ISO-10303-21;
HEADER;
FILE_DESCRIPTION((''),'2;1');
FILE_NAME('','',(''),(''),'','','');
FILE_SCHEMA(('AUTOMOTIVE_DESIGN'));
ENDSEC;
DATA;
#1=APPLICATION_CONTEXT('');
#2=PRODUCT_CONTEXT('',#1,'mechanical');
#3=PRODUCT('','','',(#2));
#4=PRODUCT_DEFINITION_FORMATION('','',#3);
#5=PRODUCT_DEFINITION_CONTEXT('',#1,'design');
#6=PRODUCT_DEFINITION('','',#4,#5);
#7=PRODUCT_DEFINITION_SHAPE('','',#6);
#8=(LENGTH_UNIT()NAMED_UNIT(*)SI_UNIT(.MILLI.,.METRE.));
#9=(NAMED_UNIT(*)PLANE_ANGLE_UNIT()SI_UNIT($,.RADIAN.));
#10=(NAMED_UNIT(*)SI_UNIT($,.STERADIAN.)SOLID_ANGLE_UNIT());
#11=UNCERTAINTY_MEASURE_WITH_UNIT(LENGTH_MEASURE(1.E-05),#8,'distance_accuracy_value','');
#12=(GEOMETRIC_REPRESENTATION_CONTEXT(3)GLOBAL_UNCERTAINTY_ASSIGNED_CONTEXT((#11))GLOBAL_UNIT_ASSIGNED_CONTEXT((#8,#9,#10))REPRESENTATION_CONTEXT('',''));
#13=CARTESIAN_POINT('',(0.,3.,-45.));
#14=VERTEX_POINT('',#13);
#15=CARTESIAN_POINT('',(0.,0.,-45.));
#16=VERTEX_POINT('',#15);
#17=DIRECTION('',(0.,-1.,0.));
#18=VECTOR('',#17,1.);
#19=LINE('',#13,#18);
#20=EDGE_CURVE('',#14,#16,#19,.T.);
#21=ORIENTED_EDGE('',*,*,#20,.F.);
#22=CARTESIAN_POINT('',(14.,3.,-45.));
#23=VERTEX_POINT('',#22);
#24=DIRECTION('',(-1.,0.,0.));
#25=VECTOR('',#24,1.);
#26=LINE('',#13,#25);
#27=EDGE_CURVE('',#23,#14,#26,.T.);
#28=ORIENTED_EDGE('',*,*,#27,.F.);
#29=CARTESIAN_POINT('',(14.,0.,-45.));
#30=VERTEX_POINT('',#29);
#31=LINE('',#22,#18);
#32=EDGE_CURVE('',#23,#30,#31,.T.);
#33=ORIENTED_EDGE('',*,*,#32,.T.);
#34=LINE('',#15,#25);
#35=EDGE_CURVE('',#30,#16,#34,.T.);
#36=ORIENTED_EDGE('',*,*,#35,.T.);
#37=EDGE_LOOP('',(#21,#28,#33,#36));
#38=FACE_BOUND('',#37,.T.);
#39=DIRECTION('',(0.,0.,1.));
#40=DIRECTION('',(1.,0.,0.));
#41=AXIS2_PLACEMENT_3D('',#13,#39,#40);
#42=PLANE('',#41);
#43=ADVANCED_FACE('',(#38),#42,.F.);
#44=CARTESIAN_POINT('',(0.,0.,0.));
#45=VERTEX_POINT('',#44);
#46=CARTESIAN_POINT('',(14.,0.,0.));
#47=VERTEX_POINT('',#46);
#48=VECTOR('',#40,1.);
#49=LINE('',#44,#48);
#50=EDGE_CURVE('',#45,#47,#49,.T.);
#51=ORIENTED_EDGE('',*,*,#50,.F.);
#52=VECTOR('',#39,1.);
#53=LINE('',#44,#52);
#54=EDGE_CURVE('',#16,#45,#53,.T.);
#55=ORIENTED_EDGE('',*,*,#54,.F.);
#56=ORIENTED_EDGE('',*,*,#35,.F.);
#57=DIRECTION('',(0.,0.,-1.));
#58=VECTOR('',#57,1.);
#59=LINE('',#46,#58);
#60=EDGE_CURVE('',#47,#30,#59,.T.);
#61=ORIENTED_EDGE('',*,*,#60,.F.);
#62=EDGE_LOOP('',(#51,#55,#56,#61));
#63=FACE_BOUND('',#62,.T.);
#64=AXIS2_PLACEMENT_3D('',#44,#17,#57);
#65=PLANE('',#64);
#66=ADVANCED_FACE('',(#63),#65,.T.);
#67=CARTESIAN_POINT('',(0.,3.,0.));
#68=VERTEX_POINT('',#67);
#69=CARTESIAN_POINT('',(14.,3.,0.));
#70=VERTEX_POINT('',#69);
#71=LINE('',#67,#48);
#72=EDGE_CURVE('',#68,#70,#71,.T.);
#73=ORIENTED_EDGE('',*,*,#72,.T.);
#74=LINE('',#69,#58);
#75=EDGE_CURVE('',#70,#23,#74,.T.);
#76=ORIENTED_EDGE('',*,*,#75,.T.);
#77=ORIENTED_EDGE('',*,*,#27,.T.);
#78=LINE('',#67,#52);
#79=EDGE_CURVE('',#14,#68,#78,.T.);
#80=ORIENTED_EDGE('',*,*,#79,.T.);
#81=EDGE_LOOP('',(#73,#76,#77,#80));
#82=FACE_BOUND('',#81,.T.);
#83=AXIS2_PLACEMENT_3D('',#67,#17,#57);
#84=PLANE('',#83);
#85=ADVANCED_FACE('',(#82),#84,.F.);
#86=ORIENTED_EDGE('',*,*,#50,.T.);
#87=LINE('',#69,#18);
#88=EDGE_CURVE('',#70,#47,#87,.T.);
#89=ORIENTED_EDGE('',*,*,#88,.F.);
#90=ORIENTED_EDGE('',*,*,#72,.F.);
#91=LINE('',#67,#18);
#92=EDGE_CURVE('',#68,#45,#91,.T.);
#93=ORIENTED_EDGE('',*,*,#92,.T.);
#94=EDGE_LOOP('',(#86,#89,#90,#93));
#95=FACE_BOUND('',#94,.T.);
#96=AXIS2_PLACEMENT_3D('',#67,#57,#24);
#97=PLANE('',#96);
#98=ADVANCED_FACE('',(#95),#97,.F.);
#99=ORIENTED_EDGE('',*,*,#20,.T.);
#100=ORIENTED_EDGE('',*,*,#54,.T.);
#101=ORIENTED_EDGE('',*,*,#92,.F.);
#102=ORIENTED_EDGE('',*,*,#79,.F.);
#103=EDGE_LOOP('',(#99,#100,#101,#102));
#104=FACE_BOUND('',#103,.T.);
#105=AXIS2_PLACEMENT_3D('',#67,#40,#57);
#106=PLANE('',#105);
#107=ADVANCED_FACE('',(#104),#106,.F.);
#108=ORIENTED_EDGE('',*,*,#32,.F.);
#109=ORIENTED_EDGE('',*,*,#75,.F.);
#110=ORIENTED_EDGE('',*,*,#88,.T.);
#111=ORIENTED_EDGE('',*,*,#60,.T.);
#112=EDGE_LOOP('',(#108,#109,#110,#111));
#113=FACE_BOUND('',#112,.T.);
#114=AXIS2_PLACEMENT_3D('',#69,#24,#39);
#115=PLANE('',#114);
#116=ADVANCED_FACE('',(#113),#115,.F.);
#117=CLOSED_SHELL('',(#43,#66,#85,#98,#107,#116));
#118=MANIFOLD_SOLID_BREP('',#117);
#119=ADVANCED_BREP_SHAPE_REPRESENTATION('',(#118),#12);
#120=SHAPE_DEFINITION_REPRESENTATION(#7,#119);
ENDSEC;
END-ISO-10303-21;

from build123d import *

# Parameters (mm, degrees)
ESQUISSE1_W        = 14
ESQUISSE1_H        = 45
BOSS_EXTRU_1_DEPTH = 3


with BuildPart() as part:
    # Esquisse1 → Boss.-Extru.1 (new body)
    with BuildSketch(Plane(origin=(0, 0, 0), x_dir=(1, 0, 0), z_dir=(0, 1, 0))):
        with Locations((7, 22.5)):
            Rectangle(ESQUISSE1_W, ESQUISSE1_H)
    extrude(amount=BOSS_EXTRU_1_DEPTH)


solid = part.part
